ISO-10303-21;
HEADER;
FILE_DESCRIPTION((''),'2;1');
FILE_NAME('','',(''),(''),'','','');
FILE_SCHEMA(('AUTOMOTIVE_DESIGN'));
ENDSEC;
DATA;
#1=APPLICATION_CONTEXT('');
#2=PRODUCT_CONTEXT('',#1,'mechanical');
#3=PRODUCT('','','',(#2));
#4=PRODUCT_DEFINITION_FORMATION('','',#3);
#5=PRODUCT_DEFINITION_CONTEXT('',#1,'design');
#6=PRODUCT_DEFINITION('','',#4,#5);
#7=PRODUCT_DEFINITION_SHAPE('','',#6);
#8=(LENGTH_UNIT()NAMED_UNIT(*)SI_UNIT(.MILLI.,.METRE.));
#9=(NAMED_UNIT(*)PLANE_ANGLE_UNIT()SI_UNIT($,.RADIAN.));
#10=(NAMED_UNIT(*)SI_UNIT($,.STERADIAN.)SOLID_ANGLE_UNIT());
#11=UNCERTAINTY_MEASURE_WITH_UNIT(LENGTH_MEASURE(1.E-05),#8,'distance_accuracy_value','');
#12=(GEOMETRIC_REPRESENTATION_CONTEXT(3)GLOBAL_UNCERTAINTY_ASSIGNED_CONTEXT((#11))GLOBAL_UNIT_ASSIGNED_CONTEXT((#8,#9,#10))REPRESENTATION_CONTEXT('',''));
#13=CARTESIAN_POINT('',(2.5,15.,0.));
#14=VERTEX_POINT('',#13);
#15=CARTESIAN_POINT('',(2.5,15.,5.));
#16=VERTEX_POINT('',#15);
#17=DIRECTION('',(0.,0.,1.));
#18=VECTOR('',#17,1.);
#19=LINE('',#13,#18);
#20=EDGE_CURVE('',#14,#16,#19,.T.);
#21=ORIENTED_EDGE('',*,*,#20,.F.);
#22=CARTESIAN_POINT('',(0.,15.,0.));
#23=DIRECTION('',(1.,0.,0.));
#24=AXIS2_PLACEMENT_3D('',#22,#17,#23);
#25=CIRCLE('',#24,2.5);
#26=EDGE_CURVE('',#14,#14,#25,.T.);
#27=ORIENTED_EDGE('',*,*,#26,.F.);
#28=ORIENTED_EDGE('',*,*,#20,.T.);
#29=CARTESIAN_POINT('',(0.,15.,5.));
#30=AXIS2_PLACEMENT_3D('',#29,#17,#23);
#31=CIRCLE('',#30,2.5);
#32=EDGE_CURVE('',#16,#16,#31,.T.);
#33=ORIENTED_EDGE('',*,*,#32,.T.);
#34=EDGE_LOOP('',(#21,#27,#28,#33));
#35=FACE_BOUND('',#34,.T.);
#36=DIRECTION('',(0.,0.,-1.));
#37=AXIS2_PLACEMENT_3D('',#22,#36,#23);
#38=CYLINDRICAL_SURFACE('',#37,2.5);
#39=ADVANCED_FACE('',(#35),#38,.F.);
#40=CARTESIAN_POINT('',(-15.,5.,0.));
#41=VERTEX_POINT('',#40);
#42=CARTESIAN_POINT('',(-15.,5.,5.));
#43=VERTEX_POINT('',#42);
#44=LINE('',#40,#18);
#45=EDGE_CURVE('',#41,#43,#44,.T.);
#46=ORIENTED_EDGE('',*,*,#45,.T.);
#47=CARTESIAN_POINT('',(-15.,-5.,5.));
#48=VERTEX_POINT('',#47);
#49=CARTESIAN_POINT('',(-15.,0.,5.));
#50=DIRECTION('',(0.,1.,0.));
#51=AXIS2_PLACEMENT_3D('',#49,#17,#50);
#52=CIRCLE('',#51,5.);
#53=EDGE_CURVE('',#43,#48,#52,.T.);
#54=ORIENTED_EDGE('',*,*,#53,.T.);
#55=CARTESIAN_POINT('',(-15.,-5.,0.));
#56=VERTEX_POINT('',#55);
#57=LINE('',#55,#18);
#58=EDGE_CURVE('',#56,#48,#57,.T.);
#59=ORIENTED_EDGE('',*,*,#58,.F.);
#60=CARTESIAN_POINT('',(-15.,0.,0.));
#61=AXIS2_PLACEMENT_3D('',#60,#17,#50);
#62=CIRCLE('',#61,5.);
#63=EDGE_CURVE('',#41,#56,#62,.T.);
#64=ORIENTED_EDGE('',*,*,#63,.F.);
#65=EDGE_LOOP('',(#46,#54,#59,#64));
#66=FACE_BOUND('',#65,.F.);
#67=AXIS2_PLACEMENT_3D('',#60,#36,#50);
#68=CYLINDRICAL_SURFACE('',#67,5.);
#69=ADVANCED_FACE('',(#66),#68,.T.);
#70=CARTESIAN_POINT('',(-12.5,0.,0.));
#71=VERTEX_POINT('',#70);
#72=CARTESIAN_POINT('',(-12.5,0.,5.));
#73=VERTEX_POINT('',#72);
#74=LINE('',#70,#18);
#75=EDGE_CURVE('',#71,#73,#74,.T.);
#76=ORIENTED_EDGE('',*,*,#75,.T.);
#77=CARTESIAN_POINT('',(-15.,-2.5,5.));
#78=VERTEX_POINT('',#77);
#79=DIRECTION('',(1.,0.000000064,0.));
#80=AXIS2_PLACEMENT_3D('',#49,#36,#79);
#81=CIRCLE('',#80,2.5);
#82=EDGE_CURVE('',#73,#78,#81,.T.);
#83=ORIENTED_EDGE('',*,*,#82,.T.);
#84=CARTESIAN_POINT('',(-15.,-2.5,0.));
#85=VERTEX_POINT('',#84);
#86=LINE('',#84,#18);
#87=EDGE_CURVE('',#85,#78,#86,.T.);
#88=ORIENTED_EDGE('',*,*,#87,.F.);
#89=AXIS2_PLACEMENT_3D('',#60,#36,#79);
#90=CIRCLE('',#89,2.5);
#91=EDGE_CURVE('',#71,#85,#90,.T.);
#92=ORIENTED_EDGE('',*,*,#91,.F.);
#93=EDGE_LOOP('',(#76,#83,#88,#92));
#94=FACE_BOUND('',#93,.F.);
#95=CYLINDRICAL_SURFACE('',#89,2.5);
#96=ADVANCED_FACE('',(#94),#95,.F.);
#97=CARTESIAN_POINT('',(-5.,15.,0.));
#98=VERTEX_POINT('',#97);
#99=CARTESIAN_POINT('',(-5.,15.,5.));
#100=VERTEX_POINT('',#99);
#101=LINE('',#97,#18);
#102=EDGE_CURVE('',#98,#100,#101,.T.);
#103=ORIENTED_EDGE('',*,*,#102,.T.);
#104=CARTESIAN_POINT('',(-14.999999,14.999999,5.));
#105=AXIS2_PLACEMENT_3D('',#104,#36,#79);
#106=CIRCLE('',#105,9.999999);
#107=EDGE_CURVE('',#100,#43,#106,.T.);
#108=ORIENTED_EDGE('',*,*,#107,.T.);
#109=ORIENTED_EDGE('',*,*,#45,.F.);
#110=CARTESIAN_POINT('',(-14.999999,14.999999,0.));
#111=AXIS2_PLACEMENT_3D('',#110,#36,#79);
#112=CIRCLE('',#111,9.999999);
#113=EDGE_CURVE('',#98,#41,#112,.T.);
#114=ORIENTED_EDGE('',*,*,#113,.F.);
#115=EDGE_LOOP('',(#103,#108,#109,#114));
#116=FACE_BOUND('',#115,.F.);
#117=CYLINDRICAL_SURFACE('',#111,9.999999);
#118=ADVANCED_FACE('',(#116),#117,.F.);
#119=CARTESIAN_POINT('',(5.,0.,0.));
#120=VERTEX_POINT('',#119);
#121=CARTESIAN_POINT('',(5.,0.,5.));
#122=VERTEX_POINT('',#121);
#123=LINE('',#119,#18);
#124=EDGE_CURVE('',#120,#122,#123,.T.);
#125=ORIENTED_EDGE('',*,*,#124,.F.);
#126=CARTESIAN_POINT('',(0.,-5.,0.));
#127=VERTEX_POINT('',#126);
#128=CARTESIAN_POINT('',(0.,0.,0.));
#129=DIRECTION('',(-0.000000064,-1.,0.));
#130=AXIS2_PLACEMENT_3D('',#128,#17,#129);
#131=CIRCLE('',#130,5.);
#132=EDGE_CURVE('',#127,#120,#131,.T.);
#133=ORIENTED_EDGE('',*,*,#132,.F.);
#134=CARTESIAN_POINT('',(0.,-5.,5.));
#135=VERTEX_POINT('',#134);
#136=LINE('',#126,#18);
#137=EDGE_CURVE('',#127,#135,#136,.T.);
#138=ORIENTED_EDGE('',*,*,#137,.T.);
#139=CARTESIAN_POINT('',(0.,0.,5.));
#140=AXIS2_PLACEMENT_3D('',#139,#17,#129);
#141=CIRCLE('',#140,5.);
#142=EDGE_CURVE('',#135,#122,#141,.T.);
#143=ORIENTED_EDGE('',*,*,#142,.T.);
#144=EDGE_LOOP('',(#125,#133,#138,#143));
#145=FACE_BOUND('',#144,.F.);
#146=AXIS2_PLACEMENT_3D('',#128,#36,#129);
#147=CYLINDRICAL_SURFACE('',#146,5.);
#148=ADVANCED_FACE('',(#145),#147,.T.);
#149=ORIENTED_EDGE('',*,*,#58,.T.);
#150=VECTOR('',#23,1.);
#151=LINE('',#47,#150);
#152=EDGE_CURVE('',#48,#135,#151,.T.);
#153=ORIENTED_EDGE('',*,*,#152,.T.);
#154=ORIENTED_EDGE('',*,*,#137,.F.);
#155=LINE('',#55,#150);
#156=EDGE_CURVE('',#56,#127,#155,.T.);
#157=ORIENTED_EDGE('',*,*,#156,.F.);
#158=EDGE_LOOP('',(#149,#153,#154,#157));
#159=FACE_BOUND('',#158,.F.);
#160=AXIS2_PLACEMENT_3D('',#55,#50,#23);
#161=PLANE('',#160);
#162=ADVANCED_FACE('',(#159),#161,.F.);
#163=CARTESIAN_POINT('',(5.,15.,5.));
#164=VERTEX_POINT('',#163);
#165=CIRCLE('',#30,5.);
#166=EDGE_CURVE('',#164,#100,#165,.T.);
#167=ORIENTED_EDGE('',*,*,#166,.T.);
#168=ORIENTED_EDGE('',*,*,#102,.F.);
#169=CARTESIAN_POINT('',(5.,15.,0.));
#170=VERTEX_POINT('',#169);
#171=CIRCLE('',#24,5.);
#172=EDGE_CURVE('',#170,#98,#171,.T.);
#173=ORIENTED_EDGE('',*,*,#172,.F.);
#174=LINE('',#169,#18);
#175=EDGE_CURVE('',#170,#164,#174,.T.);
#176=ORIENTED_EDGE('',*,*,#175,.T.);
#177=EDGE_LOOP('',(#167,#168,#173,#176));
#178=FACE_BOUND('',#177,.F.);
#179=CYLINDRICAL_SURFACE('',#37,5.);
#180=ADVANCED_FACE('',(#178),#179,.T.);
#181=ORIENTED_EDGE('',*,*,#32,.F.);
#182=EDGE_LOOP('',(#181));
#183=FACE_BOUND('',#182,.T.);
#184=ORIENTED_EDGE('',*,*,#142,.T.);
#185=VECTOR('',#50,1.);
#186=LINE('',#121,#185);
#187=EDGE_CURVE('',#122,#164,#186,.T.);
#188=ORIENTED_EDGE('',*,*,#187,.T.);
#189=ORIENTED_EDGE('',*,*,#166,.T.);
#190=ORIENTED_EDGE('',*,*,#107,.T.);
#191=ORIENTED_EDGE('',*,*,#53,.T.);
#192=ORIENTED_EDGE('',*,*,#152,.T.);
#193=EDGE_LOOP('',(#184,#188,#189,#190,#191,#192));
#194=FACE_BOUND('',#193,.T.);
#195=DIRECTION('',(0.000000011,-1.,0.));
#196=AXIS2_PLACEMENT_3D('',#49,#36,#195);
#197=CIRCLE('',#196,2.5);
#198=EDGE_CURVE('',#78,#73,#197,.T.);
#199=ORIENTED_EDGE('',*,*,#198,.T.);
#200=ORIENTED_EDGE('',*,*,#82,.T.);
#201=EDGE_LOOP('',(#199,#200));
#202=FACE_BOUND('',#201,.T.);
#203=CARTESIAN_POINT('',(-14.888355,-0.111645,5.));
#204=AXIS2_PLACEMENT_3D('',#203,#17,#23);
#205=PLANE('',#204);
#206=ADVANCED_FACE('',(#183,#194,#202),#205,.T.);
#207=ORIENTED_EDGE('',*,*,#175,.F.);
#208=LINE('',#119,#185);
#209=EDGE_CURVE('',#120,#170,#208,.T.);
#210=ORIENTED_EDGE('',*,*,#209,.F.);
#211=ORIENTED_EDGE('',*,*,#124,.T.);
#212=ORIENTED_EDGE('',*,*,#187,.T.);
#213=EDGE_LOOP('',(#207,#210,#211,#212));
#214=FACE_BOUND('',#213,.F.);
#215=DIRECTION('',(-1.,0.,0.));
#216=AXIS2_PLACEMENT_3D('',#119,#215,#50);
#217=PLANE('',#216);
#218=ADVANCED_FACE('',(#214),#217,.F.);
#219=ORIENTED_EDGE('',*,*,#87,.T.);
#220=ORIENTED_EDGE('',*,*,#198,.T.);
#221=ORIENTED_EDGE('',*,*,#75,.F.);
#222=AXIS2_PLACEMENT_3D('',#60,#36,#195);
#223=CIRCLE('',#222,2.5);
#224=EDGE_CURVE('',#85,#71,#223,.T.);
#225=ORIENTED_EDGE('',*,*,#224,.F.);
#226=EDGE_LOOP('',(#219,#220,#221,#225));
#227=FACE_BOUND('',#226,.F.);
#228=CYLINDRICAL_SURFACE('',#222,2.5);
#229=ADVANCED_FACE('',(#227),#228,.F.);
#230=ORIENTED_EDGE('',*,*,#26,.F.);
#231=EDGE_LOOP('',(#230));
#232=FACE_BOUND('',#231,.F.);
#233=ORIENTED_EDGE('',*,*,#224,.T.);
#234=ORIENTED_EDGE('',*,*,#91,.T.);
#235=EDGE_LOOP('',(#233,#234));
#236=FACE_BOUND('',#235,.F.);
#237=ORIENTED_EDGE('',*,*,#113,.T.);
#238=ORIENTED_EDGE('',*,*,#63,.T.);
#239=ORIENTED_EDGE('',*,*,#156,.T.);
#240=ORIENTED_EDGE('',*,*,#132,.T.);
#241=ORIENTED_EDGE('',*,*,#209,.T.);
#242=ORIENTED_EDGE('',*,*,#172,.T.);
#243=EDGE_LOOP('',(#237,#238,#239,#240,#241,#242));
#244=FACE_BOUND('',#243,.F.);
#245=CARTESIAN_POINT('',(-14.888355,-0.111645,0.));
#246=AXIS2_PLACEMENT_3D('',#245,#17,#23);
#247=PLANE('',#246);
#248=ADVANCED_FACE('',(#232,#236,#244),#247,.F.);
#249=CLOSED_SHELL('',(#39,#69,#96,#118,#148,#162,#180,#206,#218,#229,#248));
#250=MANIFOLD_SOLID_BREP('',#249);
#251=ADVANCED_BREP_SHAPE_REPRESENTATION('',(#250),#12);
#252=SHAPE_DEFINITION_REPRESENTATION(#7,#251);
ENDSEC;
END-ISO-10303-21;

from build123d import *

# Parameters (mm, degrees)
F0_R     = 2.5
F1_DEPTH = 5


with BuildPart() as f1:
    # F0 (on Top) → F1 (new body)
    with BuildSketch(Plane.XY):
        with BuildLine():
            ThreePointArc((-12.5, 0), (-16.767767, 1.767767), (-15, -2.5))
            ThreePointArc((-15, -2.5), (-13.232233, -1.767767), (-12.5, 0))
        make_face()
        with BuildLine():
            Line((5, 0), (5, 15))
            ThreePointArc((5, 15), (0, 20), (-5, 15))
            ThreePointArc((-5, 15), (-7.928932, 7.928932), (-15, 5))
            ThreePointArc((-15, 5), (-20, 0), (-15, -5))
            Line((-15, -5), (0, -5))
            ThreePointArc((0, -5), (3.535534, -3.535534), (5, 0))
        make_face()
        with BuildLine():
            ThreePointArc((-12.5, 0), (-13.232233, -1.767767), (-15, -2.5))
            ThreePointArc((-15, -2.5), (-16.767767, 1.767767), (-12.5, 0))
        make_face(mode=Mode.SUBTRACT)
        with Locations((0, 15)):
            Circle(F0_R, mode=Mode.SUBTRACT)
    extrude(amount=F1_DEPTH)


solid = f1.part
